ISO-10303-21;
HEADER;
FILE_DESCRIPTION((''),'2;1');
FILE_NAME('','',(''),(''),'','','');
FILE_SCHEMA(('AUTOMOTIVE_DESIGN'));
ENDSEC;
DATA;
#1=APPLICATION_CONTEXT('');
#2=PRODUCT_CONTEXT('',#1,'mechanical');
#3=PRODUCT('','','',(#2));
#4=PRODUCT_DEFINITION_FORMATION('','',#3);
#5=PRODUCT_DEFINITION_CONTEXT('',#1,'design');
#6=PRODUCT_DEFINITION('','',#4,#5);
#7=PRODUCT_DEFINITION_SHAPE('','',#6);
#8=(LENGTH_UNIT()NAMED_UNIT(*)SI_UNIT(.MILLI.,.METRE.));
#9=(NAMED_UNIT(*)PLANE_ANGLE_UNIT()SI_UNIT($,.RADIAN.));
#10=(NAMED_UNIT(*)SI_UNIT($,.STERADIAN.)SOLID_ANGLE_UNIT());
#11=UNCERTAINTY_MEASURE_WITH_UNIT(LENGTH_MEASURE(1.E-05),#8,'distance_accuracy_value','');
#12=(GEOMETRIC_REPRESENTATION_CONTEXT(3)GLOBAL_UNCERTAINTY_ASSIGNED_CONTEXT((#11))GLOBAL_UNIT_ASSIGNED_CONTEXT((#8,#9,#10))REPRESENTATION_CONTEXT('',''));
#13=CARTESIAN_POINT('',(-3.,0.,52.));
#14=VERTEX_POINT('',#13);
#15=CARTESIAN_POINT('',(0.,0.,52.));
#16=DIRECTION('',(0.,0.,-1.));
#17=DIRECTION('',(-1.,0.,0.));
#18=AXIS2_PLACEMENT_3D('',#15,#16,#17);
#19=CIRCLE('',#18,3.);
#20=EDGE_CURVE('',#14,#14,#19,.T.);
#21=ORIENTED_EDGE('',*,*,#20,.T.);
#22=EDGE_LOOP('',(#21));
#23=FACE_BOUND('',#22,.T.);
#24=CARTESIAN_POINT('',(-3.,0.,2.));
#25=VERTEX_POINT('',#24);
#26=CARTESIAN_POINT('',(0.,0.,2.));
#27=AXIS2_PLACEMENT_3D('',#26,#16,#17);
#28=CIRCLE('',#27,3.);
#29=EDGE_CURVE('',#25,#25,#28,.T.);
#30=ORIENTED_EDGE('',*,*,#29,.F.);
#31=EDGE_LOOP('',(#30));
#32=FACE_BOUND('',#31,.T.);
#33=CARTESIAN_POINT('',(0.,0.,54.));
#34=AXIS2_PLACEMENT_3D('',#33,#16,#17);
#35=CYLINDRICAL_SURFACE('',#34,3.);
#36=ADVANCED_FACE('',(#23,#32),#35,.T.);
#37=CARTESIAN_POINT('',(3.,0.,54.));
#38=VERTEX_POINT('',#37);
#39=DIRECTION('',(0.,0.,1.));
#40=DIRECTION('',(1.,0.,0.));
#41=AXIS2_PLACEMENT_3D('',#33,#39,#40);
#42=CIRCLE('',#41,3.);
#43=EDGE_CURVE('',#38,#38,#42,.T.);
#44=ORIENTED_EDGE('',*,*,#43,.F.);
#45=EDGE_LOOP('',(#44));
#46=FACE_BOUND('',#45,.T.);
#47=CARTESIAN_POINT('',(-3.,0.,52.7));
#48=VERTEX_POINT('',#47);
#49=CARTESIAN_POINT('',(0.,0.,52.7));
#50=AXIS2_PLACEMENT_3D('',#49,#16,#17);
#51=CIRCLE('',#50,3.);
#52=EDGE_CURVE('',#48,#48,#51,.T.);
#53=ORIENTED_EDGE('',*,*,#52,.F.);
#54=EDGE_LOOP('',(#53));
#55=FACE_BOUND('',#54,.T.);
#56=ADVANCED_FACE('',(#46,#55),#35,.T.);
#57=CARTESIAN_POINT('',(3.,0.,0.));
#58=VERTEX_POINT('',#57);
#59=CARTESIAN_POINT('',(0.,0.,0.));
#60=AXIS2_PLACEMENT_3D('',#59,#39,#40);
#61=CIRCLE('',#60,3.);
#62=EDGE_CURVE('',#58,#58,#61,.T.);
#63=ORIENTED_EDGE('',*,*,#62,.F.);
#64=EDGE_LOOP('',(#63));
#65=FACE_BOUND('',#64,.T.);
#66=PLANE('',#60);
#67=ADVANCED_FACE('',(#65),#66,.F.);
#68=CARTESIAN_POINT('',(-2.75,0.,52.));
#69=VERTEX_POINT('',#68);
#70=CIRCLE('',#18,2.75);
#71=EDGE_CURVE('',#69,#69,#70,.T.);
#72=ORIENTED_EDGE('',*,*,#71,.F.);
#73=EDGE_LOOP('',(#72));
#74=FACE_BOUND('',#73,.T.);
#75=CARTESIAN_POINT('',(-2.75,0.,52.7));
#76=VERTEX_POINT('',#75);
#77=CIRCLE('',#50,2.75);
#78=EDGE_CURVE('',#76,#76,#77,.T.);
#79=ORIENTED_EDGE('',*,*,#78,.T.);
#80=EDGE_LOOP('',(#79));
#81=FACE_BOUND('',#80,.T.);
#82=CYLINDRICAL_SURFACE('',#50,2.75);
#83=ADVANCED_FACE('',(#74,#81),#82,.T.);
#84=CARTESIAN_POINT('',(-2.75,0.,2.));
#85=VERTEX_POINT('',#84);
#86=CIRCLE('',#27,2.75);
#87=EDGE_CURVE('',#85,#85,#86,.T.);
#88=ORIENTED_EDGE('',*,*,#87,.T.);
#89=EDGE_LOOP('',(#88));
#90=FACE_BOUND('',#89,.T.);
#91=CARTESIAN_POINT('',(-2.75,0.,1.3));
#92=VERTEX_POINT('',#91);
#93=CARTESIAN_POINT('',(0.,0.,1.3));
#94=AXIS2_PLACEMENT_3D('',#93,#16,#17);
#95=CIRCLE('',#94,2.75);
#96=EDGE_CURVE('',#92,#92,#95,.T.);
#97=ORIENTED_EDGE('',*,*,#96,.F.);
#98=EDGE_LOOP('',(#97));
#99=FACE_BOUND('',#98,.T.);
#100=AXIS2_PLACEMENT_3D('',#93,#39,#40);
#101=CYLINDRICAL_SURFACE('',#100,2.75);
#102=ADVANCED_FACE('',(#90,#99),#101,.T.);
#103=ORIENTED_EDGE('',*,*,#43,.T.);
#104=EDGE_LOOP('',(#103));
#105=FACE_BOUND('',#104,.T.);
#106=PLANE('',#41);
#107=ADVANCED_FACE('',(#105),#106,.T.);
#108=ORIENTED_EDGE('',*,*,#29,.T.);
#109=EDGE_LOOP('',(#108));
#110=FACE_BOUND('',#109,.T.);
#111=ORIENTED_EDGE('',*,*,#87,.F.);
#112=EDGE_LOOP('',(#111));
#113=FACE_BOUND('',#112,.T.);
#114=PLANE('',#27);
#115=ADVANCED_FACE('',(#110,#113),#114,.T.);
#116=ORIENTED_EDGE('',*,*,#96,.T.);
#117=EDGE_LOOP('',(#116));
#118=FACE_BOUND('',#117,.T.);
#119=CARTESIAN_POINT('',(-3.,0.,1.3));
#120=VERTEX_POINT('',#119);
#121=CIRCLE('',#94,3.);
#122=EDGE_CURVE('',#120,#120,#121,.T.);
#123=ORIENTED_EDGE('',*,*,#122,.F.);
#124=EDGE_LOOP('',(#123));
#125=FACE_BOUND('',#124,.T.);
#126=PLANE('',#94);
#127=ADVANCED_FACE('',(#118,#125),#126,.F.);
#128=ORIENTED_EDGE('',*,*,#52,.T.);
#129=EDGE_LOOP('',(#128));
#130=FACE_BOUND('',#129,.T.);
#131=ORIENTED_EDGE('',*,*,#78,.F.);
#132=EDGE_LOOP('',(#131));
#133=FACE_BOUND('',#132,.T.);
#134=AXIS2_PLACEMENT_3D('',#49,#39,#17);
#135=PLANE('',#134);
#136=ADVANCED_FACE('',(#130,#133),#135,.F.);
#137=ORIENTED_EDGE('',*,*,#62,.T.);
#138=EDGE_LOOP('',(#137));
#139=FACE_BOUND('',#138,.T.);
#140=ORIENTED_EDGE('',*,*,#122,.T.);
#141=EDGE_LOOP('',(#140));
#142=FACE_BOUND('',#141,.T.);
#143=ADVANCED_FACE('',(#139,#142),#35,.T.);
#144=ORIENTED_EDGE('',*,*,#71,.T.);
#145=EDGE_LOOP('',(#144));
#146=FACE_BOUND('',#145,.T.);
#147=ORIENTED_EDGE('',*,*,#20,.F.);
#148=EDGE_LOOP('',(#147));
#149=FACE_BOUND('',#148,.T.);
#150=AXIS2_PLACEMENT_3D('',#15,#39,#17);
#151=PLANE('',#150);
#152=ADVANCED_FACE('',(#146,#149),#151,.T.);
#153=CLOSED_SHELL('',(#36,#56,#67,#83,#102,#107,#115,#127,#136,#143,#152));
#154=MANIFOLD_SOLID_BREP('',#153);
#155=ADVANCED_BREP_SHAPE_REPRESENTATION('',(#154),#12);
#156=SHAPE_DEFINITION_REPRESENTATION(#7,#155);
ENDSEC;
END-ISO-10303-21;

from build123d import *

# Parameters (mm, degrees)
SKETCH_1_R          = 3
EXTRUDE_1_DEPTH     = 54
SKETCH_2_R          = 3
SKETCH_2_R_2        = 2.75
CUT_EXTRUDE_1_DEPTH = 0.35


with BuildPart() as part:
    # 스케치1 → 보스-돌출1 (new body)
    with BuildSketch(Plane.XY):
        Circle(SKETCH_1_R)
    extrude(amount=EXTRUDE_1_DEPTH)

    # 스케치2 → 컷-돌출1 (cut, symmetric)
    with BuildSketch(Plane(origin=(0, 0, 1.65), x_dir=(-1, 0, 0), z_dir=(0, 0, -1))):
        Circle(SKETCH_2_R)
        Circle(SKETCH_2_R_2, mode=Mode.SUBTRACT)
    cut_extrude_1 = extrude(amount=CUT_EXTRUDE_1_DEPTH, both=True, mode=Mode.SUBTRACT)

    # 대칭 복사1: 컷-돌출1 across plane
    add(cut_extrude_1.mirror(Plane(origin=(0, 0, 27), x_dir=(1, 0, 0), z_dir=(0, 0, -1))), mode=Mode.SUBTRACT)


solid = part.part
